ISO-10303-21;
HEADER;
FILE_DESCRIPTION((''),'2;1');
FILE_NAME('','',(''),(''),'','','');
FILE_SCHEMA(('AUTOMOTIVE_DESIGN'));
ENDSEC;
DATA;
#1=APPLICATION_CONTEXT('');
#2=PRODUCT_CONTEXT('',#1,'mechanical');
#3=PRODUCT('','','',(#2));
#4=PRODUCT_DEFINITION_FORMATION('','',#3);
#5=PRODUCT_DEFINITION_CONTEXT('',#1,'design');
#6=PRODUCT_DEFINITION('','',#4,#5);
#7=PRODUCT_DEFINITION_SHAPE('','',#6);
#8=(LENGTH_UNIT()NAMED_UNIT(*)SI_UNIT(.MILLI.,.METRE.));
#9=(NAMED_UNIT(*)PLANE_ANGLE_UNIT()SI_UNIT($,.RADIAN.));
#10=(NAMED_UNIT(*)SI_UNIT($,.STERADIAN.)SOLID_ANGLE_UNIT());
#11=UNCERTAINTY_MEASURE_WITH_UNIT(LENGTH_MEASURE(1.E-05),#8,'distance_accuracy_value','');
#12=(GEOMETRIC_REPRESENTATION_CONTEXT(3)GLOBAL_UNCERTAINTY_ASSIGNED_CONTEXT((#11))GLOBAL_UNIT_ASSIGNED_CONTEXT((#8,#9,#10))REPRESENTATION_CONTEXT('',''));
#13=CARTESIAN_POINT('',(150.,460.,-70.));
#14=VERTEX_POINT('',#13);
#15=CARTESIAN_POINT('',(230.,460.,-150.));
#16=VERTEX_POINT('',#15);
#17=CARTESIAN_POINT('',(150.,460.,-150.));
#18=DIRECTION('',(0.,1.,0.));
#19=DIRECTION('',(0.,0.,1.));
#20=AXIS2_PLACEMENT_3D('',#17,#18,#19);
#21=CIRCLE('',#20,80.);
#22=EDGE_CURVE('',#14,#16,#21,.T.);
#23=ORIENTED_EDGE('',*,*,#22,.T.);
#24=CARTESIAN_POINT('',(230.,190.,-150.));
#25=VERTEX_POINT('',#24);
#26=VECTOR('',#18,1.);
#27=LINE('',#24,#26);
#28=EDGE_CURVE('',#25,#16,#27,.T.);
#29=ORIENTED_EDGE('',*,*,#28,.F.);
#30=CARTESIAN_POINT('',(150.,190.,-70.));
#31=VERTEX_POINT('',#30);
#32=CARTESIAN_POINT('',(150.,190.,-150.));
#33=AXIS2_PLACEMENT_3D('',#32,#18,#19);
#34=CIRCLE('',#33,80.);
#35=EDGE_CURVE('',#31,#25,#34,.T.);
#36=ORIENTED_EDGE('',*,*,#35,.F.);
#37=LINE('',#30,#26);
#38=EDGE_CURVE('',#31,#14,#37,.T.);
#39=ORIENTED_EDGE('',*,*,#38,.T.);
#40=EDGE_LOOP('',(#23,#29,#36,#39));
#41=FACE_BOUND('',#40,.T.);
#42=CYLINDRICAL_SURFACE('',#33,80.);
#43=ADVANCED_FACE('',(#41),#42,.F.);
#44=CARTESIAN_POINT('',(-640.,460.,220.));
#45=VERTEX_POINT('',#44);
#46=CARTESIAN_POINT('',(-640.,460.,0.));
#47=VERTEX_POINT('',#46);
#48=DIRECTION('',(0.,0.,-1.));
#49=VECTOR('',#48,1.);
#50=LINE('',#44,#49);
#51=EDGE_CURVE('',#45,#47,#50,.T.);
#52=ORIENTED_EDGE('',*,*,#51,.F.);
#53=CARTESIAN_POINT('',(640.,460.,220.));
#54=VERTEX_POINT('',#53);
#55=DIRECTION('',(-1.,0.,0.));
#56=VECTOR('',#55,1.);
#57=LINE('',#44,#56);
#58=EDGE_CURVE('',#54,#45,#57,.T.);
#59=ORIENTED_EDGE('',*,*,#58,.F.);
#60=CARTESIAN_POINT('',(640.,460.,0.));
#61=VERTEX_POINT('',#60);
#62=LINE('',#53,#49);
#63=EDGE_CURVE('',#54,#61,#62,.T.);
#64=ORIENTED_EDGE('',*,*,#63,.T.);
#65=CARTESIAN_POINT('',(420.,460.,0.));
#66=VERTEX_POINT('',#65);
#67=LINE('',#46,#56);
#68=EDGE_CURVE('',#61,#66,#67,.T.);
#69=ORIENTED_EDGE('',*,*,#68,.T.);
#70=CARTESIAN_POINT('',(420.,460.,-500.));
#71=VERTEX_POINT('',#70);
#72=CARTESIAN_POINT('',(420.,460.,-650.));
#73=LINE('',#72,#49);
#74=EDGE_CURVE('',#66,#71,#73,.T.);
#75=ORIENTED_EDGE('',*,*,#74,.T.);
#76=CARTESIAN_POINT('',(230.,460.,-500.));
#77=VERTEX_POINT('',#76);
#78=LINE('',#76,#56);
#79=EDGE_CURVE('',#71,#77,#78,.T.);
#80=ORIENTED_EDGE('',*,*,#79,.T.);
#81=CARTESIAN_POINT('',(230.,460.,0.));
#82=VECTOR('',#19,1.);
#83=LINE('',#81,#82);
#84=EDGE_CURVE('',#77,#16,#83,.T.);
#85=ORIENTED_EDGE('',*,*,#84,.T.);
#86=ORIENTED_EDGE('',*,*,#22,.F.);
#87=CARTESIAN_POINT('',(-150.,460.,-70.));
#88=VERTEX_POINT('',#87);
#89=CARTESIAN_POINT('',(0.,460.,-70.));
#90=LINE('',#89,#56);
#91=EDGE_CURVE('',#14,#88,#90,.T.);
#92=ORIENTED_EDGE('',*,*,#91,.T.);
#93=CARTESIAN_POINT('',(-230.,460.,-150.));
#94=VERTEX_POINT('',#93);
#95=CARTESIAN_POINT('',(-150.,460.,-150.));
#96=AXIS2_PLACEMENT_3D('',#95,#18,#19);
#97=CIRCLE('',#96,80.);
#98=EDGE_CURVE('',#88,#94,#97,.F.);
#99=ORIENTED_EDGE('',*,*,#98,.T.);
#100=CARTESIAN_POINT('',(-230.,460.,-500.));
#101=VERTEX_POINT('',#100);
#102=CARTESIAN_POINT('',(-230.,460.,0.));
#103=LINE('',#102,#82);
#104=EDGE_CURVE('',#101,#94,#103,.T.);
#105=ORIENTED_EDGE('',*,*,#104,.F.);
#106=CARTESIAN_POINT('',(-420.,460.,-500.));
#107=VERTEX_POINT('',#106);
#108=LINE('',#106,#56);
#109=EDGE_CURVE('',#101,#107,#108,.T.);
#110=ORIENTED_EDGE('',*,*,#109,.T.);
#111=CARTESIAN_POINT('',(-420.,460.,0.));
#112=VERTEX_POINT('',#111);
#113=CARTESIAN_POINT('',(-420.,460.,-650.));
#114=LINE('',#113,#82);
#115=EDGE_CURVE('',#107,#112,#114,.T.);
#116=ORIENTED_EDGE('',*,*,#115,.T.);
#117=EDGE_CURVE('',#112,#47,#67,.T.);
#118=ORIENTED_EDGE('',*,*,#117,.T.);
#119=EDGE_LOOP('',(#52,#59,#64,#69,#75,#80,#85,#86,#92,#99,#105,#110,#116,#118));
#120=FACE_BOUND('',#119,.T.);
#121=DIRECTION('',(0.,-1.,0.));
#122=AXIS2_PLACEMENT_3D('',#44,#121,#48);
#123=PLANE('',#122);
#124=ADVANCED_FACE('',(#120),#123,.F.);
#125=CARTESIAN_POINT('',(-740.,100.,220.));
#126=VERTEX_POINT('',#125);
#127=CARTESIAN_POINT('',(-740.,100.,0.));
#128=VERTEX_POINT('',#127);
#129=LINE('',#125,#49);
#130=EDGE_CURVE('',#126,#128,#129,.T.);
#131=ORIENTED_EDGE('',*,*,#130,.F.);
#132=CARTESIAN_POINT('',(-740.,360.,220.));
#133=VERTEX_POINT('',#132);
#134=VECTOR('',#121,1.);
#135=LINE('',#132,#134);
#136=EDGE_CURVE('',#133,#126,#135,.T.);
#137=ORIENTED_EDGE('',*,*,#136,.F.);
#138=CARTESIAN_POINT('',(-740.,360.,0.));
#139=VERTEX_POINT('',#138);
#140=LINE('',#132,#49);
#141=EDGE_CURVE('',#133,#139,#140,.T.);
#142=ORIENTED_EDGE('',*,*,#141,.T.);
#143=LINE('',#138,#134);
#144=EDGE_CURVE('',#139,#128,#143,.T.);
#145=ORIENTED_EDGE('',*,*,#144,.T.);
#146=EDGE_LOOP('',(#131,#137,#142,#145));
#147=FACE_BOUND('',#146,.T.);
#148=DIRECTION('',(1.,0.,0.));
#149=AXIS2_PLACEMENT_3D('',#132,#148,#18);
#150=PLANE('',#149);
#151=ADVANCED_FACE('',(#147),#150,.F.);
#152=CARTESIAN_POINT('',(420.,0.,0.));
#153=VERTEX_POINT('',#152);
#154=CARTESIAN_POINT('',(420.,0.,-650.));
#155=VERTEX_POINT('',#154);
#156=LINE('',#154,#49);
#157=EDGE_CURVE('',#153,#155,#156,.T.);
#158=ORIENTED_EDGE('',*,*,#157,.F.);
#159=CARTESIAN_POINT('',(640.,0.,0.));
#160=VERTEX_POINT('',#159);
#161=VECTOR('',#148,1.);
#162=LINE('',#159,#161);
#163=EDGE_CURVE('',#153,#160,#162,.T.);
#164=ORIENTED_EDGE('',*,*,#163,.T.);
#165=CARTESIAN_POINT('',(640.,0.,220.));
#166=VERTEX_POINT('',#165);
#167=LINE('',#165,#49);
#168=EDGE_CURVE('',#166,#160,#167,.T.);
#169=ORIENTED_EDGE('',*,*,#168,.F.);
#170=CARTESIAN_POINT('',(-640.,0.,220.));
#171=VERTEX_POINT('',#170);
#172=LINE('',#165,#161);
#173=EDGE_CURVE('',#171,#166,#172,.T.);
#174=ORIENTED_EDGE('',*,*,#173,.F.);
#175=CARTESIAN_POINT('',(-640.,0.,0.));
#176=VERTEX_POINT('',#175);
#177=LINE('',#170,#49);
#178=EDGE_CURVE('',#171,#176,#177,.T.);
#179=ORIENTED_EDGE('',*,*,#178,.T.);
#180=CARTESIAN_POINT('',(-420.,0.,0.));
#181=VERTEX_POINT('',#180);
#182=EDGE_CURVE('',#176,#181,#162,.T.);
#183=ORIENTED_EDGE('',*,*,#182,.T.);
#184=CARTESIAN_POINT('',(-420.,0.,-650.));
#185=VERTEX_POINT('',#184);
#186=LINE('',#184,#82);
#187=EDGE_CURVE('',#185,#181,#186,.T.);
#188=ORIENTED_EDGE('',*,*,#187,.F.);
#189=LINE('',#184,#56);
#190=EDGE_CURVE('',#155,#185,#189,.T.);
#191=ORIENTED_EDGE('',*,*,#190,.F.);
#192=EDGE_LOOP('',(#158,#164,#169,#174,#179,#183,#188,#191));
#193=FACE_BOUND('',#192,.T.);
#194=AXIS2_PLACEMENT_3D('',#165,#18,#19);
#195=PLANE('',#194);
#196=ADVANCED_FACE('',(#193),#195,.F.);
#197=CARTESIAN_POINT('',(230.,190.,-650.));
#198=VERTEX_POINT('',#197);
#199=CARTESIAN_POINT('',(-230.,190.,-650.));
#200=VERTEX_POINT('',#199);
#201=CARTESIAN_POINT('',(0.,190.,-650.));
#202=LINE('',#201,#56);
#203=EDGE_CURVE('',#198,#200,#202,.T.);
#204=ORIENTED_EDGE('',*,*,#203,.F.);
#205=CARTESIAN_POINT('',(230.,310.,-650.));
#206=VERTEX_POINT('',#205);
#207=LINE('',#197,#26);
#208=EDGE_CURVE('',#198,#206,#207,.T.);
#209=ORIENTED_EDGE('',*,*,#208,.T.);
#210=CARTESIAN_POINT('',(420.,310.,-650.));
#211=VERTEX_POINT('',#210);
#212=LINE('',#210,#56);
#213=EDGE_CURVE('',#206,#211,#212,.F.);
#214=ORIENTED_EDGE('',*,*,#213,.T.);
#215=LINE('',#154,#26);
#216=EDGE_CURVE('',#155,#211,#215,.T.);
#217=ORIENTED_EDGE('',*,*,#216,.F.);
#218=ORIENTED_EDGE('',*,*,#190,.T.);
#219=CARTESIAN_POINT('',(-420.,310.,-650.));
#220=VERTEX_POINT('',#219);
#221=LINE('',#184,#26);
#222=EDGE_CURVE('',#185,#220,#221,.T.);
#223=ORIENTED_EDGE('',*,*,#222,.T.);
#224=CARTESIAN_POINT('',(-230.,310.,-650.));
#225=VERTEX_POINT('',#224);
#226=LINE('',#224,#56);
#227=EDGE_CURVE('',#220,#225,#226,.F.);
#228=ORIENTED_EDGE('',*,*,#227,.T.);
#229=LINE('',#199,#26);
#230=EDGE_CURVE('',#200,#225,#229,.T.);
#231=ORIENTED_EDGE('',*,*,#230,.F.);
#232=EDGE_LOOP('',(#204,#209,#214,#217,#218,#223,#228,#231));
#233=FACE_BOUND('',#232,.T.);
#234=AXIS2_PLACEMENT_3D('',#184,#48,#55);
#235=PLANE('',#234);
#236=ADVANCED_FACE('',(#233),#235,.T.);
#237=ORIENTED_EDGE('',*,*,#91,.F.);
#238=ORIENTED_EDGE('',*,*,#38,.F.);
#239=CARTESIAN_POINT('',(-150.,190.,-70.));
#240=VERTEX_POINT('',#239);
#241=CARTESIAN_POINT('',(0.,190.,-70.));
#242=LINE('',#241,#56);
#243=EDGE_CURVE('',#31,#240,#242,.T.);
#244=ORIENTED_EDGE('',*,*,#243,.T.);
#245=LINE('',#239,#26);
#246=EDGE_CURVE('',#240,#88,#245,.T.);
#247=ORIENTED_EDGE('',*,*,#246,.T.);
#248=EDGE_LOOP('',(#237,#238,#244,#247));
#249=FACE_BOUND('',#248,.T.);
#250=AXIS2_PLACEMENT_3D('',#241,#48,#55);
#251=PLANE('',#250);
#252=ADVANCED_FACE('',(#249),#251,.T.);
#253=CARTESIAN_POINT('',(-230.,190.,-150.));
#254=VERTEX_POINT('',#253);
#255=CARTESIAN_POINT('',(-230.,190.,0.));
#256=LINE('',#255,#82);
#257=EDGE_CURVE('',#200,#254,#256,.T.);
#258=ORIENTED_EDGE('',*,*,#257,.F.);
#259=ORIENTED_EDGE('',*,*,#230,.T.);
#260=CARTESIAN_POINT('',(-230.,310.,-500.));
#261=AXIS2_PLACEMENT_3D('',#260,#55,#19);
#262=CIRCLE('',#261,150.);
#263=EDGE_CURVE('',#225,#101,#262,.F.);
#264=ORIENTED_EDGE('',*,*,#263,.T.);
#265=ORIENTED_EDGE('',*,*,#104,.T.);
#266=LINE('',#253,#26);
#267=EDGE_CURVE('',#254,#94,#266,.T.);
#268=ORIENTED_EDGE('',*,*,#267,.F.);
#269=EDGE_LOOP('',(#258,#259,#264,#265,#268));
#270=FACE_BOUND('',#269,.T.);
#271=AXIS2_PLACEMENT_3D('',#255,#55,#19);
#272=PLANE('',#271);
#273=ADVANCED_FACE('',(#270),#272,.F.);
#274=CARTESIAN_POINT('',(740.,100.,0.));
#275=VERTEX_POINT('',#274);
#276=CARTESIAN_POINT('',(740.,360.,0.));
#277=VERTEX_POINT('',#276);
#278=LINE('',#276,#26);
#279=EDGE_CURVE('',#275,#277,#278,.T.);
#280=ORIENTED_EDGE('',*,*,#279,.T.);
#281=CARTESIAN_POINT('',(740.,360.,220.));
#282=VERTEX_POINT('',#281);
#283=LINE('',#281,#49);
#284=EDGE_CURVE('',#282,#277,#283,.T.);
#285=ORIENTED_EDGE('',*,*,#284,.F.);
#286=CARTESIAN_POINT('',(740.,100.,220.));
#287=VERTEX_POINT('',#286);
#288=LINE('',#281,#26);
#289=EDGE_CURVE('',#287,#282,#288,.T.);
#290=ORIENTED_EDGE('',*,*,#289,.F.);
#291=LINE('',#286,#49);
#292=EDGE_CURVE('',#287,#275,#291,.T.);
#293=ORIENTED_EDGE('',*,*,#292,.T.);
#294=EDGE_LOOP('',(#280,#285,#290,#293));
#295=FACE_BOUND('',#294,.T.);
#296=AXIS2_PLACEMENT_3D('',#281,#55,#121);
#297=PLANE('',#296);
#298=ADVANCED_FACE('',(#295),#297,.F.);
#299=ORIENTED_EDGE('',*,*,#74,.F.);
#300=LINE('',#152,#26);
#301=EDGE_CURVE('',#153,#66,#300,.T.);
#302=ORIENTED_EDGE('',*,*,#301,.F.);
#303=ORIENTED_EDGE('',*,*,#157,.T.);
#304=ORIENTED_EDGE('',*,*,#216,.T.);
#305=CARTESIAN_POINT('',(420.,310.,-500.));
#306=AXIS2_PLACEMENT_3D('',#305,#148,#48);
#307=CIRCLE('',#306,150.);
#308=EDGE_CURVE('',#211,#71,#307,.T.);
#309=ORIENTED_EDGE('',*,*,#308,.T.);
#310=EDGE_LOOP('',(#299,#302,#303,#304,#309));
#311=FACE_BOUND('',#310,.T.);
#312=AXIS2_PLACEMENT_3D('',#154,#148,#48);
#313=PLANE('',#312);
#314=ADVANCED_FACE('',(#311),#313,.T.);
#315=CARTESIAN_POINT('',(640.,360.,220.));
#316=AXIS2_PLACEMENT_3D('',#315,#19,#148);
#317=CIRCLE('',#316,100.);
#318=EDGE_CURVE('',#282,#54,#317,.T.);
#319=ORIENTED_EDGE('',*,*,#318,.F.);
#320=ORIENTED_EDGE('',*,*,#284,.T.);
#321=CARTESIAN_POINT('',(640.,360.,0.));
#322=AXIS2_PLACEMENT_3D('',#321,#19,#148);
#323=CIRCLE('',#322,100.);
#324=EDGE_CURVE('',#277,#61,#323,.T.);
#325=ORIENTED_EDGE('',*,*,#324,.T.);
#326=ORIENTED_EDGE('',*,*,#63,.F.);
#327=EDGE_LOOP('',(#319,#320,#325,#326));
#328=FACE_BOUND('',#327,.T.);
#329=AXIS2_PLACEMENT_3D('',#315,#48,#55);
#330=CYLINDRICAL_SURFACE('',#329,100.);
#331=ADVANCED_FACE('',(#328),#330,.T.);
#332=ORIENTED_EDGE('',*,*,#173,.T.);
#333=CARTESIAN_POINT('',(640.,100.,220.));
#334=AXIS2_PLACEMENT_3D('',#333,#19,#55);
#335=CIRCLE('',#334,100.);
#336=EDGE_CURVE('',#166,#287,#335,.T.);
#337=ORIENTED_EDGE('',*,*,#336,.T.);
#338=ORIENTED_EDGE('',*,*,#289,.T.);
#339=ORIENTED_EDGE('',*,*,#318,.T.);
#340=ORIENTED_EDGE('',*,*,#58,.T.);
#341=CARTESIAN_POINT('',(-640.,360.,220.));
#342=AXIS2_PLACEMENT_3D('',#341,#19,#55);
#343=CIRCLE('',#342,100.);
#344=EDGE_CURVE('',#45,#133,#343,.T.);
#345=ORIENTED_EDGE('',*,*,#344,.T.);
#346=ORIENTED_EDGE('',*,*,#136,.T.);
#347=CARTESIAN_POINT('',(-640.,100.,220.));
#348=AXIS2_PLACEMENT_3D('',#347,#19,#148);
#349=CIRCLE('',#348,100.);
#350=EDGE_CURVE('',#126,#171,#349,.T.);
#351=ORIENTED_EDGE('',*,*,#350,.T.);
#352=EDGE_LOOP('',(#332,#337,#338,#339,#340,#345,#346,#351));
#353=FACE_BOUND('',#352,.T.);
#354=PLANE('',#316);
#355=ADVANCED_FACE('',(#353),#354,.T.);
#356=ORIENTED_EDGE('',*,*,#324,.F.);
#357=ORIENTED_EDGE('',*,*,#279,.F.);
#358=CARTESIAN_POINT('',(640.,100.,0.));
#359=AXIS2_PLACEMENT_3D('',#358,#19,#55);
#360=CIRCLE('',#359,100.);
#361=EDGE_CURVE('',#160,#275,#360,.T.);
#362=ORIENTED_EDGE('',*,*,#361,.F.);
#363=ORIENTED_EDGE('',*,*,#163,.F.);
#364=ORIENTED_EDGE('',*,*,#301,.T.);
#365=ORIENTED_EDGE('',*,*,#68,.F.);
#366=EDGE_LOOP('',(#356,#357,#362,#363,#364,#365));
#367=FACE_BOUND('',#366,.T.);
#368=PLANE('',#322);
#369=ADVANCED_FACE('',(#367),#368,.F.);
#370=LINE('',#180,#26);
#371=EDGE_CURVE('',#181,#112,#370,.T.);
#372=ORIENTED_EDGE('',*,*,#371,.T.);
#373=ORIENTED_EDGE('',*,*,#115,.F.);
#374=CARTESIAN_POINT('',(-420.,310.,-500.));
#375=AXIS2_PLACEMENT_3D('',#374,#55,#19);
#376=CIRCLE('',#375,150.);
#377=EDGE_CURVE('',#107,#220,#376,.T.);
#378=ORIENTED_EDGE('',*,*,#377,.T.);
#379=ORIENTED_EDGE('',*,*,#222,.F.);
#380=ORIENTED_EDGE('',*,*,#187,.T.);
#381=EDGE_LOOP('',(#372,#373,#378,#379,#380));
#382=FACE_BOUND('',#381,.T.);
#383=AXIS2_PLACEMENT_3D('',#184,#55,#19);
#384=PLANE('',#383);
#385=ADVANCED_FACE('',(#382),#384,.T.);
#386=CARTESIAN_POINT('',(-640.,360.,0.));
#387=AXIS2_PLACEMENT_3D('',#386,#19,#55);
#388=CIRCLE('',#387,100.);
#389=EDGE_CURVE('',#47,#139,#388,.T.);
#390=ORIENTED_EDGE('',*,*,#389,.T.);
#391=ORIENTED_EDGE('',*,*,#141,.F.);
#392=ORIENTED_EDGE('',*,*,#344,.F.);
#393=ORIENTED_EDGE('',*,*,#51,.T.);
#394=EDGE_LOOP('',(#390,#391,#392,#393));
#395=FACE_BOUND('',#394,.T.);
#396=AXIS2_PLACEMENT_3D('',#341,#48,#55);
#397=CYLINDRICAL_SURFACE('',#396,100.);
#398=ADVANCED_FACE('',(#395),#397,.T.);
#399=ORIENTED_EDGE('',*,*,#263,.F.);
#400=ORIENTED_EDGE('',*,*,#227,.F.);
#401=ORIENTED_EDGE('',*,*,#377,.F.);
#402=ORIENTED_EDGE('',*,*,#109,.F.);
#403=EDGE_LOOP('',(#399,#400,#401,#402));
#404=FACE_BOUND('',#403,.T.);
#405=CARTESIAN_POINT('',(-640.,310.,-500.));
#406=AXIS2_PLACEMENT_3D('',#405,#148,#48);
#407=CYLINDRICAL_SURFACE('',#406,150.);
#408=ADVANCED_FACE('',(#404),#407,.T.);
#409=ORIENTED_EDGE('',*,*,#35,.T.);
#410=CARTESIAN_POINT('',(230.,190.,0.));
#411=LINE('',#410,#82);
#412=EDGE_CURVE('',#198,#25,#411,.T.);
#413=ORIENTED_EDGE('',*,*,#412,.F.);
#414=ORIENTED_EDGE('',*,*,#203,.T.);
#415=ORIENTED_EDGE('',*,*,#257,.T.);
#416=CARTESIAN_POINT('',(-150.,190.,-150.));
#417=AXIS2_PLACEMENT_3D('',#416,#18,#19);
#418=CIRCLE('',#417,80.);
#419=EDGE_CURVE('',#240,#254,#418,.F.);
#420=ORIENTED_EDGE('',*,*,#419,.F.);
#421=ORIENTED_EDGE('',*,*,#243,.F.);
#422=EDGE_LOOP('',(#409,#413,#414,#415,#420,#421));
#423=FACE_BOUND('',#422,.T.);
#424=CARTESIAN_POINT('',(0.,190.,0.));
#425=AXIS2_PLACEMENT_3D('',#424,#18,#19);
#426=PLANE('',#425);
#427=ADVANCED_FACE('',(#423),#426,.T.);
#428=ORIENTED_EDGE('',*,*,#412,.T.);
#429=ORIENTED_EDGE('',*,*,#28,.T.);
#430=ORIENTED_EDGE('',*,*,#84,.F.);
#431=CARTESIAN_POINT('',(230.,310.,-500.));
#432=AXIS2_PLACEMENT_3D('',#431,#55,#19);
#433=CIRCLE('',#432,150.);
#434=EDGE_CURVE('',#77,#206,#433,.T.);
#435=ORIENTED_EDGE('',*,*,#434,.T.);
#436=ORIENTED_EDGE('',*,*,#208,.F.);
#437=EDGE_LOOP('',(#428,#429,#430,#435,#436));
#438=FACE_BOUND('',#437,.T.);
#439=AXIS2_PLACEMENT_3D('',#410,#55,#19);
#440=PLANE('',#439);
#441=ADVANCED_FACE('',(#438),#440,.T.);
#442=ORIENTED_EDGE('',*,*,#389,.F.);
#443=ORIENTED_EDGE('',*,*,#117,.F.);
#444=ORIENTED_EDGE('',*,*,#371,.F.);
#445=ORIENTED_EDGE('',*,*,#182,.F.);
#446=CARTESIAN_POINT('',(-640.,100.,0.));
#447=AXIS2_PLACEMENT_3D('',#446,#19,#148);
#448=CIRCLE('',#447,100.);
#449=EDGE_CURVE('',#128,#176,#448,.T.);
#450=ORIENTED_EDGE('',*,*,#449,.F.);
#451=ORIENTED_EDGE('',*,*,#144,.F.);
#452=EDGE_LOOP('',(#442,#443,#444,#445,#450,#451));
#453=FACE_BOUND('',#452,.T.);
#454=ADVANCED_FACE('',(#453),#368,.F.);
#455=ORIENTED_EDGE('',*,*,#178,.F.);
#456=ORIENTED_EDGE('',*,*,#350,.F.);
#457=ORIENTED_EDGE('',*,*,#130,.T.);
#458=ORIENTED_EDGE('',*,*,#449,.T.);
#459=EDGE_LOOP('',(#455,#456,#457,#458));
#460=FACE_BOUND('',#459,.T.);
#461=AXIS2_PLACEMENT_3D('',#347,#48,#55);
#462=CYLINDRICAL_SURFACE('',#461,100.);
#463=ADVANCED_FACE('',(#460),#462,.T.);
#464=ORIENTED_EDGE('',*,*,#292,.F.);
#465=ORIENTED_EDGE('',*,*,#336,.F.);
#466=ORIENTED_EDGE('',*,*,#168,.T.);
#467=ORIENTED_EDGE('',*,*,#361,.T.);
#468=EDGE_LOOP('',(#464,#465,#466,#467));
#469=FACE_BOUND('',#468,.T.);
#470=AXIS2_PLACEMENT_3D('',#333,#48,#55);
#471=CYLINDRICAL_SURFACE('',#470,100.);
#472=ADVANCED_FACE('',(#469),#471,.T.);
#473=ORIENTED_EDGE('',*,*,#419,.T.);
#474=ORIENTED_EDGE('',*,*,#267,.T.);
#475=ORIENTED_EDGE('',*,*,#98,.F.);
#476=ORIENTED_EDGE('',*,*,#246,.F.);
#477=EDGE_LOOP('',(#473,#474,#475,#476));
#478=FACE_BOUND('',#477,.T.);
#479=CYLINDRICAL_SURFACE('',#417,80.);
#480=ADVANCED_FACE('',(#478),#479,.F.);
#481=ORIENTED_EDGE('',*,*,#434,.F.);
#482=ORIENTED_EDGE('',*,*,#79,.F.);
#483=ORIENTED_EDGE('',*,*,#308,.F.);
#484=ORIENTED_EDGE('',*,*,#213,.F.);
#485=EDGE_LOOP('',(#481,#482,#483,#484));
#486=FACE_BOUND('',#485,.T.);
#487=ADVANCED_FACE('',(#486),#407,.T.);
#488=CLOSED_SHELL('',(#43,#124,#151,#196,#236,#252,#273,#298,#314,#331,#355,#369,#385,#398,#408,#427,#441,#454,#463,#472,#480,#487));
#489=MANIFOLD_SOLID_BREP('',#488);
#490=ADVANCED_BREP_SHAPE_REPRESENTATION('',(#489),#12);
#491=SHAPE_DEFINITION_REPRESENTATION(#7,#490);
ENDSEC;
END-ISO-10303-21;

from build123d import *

# Parameters (mm, degrees)
Y_KSEKLIK_EKSTR_ZYON1_DEPTH = 220
IZIM2_W                     = 840
IZIM2_H                     = 650
Y_KSEKLIK_EKSTR_ZYON2_DEPTH = 460
KES_EKSTR_ZYON1_DEPTH       = 270
RADYUS2_R                   = 150
RADYUS3_R                   = 150


with BuildPart() as part:
    # Çizim1 → Yükseklik-Ekstrüzyon1 (new body)
    with BuildSketch(Plane.XY):
        with BuildLine():
            Line((-640, 460), (640, 460))
            ThreePointArc((640, 460), (710.710678119, 430.710678119), (740, 360))
            Line((740, 360), (740, 100))
            ThreePointArc((740, 100), (710.710678119, 29.289321881), (640, 0))
            Line((640, 0), (-640, 0))
            ThreePointArc((-640, 0), (-710.710678119, 29.289321881), (-740, 100))
            Line((-740, 100), (-740, 360))
            ThreePointArc((-740, 360), (-710.710678119, 430.710678119), (-640, 460))
        make_face()
    extrude(amount=Y_KSEKLIK_EKSTR_ZYON1_DEPTH)

    # Çizim2 → Yükseklik-Ekstrüzyon2 (add)
    with BuildSketch(Plane(origin=(0, 460, 0), x_dir=(1, 0, 0), z_dir=(0, 1, 0))):
        with Locations((0, 325)):
            Rectangle(IZIM2_W, IZIM2_H)
    extrude(amount=-Y_KSEKLIK_EKSTR_ZYON2_DEPTH)

    # Çizim3 → Kes-Ekstrüzyon1 (cut)
    with BuildSketch(Plane(origin=(0, 460, 0), x_dir=(1, 0, 0), z_dir=(0, 1, 0))):
        with BuildLine():
            Line((0, 70), (0, 650))
            Line((0, 650), (-230, 650))
            Line((-230, 650), (-230, 150))
            ThreePointArc((-230, 150), (-206.568542495, 93.431457505), (-150, 70))
            Line((-150, 70), (0, 70))
        make_face()
        with BuildLine():
            Line((230, 650), (0, 650))
            Line((0, 650), (0, 70))
            Line((0, 70), (150, 70))
            ThreePointArc((150, 70), (206.568542495, 93.431457505), (230, 150))
            Line((230, 150), (230, 650))
        make_face()
    extrude(amount=-KES_EKSTR_ZYON1_DEPTH, mode=Mode.SUBTRACT)

    # Radyus2
    radyus2_edges = [part.edges().sort_by_distance(p)[0] for p in [
        (-325, 460, -650),
    ]]
    fillet(radyus2_edges, radius=RADYUS2_R)

    # Radyus3
    radyus3_edges = [part.edges().sort_by_distance(p)[0] for p in [
        (325, 460, -650),
    ]]
    fillet(radyus3_edges, radius=RADYUS3_R)


solid = part.part
